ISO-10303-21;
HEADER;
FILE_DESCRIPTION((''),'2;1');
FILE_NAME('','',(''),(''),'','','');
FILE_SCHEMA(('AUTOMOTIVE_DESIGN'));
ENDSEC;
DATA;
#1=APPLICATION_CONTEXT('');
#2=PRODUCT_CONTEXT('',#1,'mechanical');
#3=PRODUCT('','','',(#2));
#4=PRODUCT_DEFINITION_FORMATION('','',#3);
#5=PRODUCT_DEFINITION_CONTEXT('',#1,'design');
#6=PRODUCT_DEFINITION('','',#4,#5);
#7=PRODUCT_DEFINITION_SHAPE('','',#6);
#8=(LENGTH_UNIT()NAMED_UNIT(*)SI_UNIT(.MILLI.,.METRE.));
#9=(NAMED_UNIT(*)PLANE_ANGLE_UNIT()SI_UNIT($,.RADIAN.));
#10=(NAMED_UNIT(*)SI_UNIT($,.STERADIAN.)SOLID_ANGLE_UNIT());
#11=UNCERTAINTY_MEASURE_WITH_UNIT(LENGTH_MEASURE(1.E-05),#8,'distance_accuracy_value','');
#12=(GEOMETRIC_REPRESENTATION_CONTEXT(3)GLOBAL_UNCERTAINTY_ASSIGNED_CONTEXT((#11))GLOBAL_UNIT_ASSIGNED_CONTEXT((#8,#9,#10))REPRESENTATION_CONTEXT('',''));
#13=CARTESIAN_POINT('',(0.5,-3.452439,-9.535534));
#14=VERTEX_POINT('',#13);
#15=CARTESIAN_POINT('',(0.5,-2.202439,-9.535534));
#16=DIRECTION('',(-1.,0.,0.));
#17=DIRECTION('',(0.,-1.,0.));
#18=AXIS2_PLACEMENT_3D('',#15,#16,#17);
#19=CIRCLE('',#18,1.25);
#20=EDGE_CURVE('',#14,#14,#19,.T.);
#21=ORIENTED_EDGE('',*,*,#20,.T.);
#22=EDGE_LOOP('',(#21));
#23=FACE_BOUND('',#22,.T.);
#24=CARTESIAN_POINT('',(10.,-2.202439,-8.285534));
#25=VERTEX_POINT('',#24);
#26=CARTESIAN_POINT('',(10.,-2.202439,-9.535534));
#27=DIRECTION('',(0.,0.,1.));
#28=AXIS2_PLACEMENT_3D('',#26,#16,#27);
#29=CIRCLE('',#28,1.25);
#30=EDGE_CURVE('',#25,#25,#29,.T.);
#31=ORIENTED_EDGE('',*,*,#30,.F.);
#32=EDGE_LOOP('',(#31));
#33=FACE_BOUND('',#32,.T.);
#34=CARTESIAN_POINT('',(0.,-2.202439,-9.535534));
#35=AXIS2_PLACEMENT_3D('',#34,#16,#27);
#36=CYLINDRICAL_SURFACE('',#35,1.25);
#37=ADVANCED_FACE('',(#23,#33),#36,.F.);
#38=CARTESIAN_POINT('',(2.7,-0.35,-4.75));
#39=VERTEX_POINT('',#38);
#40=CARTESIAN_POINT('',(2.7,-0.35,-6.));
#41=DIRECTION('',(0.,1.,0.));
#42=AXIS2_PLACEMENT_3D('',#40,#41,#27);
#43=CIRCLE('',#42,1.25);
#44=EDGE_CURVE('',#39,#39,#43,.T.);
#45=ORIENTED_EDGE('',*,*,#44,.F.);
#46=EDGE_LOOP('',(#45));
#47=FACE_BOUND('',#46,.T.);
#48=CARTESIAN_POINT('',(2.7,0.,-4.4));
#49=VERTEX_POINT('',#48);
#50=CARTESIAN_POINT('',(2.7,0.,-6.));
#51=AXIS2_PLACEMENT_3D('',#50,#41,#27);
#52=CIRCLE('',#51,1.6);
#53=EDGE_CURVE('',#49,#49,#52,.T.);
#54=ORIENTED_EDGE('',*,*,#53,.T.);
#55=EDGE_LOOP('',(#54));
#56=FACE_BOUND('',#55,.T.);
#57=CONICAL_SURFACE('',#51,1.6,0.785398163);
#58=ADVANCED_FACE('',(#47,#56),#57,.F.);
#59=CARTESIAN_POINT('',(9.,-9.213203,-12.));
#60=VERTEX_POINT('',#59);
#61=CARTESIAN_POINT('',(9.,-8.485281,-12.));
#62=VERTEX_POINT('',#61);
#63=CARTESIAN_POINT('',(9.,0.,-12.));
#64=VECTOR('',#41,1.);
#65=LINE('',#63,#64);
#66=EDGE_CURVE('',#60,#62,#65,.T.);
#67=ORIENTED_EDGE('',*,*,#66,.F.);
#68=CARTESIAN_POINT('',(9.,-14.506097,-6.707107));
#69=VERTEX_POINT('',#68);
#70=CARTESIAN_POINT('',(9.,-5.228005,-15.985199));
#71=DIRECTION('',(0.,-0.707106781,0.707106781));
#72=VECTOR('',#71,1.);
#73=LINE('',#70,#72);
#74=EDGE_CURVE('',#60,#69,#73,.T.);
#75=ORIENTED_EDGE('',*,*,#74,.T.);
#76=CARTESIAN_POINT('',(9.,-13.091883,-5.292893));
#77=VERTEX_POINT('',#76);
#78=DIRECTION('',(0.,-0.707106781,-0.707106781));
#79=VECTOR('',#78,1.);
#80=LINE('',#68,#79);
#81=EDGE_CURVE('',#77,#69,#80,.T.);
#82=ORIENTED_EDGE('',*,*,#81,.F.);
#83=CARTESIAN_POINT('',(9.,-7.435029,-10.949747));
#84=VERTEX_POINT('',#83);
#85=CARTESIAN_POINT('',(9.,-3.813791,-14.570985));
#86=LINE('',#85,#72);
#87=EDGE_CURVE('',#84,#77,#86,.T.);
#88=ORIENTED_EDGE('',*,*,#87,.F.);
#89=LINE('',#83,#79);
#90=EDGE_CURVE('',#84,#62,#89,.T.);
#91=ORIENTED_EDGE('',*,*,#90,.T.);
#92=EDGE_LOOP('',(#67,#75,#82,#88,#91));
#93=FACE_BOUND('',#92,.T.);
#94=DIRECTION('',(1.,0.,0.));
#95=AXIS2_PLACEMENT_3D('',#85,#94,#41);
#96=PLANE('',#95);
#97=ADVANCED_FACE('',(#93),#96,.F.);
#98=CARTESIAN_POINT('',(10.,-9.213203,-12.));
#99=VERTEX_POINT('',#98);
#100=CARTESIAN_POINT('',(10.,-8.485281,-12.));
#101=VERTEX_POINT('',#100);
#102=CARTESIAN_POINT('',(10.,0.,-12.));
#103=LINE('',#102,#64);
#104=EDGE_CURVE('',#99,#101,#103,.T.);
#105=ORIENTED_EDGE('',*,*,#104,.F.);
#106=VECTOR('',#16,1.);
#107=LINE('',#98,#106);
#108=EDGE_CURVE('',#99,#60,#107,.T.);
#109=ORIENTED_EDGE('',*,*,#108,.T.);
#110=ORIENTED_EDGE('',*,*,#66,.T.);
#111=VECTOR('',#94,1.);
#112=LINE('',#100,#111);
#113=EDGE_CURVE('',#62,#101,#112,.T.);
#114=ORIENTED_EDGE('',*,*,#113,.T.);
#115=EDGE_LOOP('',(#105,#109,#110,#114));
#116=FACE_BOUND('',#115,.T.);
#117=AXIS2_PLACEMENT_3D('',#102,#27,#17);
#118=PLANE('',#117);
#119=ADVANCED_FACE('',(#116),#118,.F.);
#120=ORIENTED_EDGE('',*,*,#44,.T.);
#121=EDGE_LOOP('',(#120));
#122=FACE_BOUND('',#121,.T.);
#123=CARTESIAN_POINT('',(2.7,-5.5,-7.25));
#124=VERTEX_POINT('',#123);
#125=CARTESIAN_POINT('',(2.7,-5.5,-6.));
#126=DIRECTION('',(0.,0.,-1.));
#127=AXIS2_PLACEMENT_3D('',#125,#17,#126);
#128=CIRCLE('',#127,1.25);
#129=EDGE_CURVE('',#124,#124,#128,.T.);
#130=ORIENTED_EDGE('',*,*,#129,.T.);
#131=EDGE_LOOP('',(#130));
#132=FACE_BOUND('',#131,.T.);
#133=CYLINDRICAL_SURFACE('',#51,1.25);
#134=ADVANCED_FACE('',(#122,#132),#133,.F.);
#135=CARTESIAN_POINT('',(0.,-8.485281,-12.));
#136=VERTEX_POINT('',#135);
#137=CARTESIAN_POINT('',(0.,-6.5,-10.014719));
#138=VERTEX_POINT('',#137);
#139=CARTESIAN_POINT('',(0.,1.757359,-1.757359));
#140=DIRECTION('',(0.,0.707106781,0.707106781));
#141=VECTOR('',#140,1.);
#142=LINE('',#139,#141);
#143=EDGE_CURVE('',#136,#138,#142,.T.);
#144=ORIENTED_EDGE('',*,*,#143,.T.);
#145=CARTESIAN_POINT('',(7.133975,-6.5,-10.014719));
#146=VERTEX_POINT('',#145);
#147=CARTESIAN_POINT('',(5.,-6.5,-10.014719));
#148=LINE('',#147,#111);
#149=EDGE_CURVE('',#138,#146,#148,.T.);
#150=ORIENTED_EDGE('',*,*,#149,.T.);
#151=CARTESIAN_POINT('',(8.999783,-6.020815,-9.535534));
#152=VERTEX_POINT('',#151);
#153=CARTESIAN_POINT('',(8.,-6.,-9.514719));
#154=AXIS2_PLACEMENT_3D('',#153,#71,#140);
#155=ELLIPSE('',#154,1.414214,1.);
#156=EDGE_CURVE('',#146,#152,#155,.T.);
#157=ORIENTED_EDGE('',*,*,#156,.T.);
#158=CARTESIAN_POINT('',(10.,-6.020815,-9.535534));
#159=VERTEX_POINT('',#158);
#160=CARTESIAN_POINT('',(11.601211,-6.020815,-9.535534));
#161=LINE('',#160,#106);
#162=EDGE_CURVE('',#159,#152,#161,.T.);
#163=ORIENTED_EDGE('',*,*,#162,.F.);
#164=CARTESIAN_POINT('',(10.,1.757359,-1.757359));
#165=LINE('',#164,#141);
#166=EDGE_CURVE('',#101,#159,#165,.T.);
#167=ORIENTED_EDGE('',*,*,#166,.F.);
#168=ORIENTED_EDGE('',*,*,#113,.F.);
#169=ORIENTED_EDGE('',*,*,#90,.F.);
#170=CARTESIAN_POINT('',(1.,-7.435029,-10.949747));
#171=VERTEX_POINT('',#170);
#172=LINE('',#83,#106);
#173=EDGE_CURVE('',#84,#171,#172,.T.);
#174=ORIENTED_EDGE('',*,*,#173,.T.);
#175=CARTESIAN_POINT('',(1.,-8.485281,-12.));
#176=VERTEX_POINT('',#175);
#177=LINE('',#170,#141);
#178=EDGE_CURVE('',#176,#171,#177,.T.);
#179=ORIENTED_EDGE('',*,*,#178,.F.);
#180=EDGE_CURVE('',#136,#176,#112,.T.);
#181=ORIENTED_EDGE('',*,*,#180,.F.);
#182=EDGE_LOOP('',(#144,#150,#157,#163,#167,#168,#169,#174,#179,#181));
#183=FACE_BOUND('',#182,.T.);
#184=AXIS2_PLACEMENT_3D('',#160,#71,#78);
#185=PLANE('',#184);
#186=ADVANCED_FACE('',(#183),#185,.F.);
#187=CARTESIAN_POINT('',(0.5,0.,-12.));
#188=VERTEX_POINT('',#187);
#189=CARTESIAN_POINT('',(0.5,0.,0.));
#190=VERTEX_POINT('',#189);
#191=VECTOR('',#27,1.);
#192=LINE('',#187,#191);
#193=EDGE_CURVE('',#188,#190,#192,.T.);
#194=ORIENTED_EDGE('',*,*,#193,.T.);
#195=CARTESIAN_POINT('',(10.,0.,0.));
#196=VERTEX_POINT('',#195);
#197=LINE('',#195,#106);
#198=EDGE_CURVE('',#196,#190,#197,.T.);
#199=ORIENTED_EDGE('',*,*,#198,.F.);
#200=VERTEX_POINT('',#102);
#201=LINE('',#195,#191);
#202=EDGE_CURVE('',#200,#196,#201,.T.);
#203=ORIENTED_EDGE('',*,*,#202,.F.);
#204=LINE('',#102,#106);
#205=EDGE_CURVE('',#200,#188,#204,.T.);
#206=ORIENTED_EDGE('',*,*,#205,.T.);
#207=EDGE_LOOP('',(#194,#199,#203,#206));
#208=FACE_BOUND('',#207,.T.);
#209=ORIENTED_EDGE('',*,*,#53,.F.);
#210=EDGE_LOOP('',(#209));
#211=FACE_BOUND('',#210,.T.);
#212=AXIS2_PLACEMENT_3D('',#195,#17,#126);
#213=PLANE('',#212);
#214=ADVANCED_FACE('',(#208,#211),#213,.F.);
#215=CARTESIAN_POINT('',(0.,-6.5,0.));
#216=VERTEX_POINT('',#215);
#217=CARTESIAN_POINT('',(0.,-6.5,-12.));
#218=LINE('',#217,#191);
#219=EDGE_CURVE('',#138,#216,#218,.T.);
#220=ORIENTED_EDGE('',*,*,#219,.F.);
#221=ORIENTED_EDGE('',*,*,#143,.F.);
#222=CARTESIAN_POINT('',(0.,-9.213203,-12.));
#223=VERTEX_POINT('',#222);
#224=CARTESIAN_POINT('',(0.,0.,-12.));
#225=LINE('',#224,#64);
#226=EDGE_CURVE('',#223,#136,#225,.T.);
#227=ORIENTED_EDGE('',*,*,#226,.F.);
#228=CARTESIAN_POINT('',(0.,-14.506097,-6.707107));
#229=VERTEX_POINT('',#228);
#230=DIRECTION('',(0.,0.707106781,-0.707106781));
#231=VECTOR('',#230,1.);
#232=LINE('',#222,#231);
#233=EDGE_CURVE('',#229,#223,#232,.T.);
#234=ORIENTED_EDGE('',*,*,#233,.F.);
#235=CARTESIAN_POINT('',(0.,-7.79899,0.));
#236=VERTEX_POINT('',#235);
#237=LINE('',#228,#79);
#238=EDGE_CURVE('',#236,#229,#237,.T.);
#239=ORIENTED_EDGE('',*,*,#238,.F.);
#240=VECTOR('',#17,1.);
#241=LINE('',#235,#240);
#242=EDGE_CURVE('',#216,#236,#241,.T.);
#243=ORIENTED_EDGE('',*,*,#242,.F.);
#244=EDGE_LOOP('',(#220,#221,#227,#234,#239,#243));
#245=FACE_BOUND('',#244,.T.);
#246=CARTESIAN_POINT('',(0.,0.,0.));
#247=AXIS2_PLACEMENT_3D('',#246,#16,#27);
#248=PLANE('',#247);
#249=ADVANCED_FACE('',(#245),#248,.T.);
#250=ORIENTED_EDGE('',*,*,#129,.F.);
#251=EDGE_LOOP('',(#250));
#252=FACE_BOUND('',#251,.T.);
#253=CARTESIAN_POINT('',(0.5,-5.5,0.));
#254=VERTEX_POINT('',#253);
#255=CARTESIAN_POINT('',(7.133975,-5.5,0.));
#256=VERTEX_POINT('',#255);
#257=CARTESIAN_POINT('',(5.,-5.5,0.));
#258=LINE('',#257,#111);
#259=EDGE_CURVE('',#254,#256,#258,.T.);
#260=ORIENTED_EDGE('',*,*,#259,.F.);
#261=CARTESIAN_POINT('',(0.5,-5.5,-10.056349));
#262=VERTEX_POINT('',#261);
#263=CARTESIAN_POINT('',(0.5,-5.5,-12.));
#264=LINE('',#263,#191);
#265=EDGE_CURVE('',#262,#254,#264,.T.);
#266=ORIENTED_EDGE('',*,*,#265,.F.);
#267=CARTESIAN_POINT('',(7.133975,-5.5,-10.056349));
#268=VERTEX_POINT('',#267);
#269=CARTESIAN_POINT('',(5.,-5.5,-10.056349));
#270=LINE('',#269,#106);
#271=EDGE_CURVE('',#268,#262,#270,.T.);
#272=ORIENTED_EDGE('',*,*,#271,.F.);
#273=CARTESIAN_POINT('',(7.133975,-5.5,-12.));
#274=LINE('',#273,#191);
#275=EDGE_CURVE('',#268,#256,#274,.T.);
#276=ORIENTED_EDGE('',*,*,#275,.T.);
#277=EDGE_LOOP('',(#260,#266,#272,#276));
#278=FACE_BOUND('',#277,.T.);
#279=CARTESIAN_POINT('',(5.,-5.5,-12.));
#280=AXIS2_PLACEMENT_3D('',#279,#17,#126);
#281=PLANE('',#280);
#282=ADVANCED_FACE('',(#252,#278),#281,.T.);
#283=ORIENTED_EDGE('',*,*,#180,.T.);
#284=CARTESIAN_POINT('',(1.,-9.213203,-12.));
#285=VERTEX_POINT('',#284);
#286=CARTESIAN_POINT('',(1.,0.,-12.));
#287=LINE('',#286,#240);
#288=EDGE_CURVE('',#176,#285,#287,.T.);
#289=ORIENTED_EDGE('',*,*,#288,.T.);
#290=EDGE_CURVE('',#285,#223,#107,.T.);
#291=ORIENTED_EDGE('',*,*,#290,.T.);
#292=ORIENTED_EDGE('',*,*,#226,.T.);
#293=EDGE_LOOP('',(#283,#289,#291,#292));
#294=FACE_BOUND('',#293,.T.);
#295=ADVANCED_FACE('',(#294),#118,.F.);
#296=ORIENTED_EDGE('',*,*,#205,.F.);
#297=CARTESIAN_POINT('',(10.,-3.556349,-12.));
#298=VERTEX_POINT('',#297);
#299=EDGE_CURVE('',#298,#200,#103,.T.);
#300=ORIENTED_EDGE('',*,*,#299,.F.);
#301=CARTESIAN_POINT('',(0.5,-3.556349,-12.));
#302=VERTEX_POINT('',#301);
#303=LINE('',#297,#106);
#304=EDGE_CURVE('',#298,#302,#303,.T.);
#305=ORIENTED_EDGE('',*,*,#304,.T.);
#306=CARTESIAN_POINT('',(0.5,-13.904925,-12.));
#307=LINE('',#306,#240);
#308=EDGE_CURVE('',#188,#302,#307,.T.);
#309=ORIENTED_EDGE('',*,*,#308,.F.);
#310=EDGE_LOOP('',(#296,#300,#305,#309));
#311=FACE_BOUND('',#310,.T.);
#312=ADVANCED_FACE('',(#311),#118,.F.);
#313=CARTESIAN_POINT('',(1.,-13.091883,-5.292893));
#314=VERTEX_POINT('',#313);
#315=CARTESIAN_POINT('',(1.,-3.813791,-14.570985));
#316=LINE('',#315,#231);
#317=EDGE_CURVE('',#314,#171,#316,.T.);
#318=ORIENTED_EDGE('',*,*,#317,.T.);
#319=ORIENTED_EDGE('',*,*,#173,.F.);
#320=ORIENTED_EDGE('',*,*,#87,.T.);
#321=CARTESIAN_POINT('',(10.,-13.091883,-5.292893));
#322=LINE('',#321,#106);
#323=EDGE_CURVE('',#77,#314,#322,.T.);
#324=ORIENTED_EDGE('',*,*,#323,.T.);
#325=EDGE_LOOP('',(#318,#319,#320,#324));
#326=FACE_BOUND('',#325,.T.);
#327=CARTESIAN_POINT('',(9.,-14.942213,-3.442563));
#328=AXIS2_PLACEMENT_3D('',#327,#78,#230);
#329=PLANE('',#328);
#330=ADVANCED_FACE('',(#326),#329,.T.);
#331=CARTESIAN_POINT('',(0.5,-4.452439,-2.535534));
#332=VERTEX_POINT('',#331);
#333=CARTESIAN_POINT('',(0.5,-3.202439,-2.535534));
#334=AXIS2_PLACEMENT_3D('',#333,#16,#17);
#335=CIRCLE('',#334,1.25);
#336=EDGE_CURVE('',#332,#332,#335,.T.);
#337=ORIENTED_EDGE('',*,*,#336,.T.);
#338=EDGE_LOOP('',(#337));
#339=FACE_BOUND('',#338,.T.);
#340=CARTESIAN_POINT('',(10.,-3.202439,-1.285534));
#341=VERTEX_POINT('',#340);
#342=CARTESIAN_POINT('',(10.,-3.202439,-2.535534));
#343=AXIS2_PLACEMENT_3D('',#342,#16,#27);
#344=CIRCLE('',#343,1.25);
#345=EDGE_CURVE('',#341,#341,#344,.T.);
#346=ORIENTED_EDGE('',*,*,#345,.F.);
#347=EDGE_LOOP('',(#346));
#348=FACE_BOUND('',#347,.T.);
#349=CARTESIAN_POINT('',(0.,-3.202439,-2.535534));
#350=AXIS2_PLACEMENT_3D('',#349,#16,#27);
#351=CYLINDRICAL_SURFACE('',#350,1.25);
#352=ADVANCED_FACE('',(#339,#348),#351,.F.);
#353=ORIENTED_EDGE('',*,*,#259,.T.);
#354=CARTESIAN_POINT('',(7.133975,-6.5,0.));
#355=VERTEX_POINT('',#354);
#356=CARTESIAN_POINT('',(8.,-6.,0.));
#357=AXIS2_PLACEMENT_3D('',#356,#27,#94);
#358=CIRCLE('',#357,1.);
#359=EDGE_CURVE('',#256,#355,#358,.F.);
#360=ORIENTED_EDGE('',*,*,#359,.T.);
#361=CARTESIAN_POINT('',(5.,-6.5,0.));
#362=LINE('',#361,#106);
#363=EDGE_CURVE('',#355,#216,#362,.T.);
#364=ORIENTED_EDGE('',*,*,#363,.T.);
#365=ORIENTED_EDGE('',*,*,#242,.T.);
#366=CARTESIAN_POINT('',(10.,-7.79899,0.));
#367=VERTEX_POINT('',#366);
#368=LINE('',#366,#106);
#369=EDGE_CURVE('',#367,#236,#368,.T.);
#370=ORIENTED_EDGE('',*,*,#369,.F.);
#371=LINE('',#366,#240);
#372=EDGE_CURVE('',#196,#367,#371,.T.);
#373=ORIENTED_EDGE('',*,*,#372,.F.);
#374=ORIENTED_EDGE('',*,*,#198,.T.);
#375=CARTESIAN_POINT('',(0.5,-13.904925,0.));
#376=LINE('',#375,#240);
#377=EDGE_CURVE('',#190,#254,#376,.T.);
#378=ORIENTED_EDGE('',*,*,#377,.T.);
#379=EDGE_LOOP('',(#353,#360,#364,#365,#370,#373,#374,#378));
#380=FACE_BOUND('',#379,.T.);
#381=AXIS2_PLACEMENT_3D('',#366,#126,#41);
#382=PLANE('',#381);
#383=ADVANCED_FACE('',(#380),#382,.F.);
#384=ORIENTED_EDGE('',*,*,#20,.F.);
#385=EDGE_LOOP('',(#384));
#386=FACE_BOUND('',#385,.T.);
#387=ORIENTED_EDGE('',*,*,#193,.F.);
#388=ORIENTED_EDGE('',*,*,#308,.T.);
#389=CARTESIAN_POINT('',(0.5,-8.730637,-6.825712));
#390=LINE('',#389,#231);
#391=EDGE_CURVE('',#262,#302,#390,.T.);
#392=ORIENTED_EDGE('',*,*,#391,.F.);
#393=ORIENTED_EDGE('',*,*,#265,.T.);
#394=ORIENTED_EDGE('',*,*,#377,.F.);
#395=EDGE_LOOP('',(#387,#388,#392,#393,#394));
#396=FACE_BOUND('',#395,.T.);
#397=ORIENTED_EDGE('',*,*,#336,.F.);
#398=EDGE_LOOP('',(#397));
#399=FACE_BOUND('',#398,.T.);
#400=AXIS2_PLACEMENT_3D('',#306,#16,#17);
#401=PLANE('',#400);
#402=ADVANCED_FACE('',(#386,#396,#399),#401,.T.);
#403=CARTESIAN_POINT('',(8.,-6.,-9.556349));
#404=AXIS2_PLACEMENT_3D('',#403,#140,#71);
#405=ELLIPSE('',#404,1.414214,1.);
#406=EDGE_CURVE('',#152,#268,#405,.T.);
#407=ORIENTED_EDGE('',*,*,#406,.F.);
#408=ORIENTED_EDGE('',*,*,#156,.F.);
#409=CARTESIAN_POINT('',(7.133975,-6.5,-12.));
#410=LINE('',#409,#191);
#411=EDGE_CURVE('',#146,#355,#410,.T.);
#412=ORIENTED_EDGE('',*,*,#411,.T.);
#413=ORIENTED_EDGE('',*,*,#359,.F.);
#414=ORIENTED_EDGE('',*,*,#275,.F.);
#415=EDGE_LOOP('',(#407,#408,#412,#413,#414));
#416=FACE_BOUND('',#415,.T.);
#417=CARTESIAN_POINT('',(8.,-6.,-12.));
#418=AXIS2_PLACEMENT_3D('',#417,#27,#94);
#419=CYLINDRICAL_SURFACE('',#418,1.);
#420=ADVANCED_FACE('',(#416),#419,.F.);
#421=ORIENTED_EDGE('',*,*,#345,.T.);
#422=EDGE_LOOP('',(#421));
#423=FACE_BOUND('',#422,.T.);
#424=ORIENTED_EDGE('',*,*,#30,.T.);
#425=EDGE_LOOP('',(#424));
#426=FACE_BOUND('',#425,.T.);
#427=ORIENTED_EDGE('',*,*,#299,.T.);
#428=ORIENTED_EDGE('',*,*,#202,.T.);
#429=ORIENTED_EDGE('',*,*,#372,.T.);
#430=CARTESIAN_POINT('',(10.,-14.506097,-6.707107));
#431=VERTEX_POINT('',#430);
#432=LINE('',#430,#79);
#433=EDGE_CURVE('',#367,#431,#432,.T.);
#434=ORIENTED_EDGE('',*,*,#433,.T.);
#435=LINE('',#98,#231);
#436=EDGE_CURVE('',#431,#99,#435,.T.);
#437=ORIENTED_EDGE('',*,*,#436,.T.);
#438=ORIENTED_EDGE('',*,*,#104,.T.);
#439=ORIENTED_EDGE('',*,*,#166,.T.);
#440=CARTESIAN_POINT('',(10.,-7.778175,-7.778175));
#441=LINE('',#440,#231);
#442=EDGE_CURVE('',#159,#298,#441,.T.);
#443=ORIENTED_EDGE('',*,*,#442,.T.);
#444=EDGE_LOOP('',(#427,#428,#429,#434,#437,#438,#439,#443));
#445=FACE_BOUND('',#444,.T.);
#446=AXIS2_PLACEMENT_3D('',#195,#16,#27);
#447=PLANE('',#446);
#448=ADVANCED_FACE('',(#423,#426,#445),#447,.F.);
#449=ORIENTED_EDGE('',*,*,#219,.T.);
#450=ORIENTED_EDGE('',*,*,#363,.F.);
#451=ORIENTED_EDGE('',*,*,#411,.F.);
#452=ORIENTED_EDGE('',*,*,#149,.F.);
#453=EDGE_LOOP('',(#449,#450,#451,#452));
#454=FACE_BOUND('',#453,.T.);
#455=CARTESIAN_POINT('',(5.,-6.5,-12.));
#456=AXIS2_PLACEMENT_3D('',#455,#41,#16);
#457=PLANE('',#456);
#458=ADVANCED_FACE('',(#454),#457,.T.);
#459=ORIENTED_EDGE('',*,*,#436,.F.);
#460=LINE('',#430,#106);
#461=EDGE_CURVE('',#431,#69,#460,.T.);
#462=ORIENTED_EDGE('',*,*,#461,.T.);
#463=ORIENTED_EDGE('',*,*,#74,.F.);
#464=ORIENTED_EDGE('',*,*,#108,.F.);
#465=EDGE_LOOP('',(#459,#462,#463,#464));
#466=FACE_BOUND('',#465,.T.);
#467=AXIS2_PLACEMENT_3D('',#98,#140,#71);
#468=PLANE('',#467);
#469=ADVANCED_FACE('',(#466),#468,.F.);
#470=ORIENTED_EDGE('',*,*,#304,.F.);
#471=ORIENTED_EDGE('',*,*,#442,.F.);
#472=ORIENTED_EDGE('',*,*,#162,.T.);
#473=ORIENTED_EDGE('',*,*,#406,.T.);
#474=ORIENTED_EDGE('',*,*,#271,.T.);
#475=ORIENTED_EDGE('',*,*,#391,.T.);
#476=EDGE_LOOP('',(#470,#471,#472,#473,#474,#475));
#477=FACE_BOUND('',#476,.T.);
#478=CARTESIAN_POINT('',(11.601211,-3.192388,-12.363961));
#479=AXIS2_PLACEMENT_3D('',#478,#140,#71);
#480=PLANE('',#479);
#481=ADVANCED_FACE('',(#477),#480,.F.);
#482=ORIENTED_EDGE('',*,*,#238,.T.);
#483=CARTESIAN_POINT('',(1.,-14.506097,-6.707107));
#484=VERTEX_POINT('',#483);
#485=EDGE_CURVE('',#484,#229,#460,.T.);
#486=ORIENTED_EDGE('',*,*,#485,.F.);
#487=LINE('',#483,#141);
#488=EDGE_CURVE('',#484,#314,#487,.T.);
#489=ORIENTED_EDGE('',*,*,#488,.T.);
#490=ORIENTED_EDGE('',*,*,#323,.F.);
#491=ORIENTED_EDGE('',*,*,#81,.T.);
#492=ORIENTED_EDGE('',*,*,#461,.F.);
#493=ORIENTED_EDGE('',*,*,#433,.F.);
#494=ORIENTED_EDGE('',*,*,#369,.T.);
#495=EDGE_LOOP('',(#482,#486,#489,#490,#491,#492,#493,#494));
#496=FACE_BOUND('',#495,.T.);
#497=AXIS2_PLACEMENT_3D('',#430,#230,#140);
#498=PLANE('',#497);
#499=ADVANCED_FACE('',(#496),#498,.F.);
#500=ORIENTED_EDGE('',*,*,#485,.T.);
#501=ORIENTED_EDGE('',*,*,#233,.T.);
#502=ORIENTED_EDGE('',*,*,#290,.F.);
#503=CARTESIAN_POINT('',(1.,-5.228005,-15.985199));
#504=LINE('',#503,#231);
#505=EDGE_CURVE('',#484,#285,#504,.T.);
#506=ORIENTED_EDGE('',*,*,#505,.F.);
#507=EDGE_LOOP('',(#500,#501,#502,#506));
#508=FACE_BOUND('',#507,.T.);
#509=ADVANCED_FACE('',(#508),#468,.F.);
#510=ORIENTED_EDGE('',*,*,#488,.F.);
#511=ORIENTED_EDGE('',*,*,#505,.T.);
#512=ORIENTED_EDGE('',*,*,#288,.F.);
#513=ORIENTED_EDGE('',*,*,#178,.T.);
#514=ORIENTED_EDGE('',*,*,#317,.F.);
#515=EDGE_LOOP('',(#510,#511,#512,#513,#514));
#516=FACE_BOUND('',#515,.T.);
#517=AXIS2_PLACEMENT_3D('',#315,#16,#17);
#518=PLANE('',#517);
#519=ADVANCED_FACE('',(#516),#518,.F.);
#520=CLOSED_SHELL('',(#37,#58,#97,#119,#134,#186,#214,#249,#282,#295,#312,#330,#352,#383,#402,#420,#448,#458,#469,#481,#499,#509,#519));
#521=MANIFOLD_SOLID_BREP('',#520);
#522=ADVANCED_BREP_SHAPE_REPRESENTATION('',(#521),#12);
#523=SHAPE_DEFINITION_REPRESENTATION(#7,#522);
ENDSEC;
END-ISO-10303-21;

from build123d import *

# Parameters (mm, degrees)
EXTRUDE_1_DEPTH             = 10
SKETCH_2_W                  = 8
SKETCH_2_H                  = 15.737964923
CUT_EXTRUDE_1_DEPTH         = 2
CUT_EXTRUDE_2_DEPTH         = 13
HOLE_WIZARD_M31_D           = 2.5
HOLE_WIZARD_M31_CSINK_D     = 3.3
HOLE_WIZARD_M31_CSINK_ANGLE = 90
HOLE_WIZARD_M32_D           = 2.5
HOLE_WIZARD_M32_DEPTH       = 5.5
HOLE_WIZARD_M32_CSINK_D     = 3.2
HOLE_WIZARD_M32_CSINK_ANGLE = 90
CUT_EXTRUDE_START           = -8
SKETCH_9_W                  = 15.368263211
SKETCH_9_H                  = 5.398005259
CUT_EXTRUDE_3_DEPTH         = 4


with BuildPart() as part:
    # Эскиз1 → Бобышка-Вытянуть1 (new body)
    with BuildSketch(Plane(origin=(0, 0, 0), x_dir=(0, 0, -1), z_dir=(1, 0, 0))):
        Polygon((0, 0), (12, 0), (12, -9.213203436), (6.707106781, -14.506096654), (0, -7.798989873), align=None)
    extrude(amount=EXTRUDE_1_DEPTH)

    # Эскиз2 → Вырез-Вытянуть1 (cut)
    with BuildSketch(Plane(origin=(0, -10.606601718, -10.606601718), x_dir=(-1, 0, 0), z_dir=(0, -0.707106781, -0.707106781))):
        with Locations((-5, -0.262497876)):
            Rectangle(SKETCH_2_W, SKETCH_2_H)
    extrude(amount=-CUT_EXTRUDE_1_DEPTH, mode=Mode.SUBTRACT)

    # Эскиз3 → Вырез-Вытянуть2 (cut, through all)
    with BuildSketch(Plane.XY):
        with BuildLine():
            Line((0.5, -5.5), (0.5, 0))
            Line((0.5, 0), (0, 0))
            Line((0, 0), (0, -6.5))
            Line((0, -6.5), (7.133974596, -6.5))
            ThreePointArc((7.133974596, -6.5), (9, -6), (7.133974596, -5.5))
            Line((7.133974596, -5.5), (0.5, -5.5))
        make_face()
    extrude(amount=-CUT_EXTRUDE_2_DEPTH, mode=Mode.SUBTRACT)

    # Отверстие обработанное метчиком M31 (through all)
    with Locations(Plane.ZY):
        with Locations((-9.535533906, -2.202438662), (-2.535533906, -3.202438662)):
            CounterSinkHole(HOLE_WIZARD_M31_D / 2, HOLE_WIZARD_M31_CSINK_D / 2, counter_sink_angle=HOLE_WIZARD_M31_CSINK_ANGLE)

    # Отверстие обработанное метчиком M32
    with Locations(Plane(origin=(0, 0, 0), x_dir=(-1, 0, 0), z_dir=(0, 1, 0))):
        with Locations((-2.7, -6)):
            CounterSinkHole(HOLE_WIZARD_M32_D / 2, HOLE_WIZARD_M32_CSINK_D / 2, depth=HOLE_WIZARD_M32_DEPTH, counter_sink_angle=HOLE_WIZARD_M32_CSINK_ANGLE)

    # Эскиз9 → Вырез-Вытянуть3 (cut)
    with BuildSketch(Plane(origin=(0, -3.899494937, 3.899494937), x_dir=(1, 0, 0), z_dir=(0, -0.707106781, 0.707106781)).offset(CUT_EXTRUDE_START)):
        with Locations((3.917078905, -13.69900263)):
            Rectangle(SKETCH_9_W, SKETCH_9_H)
    extrude(amount=-CUT_EXTRUDE_3_DEPTH, mode=Mode.SUBTRACT)


solid = part.part
